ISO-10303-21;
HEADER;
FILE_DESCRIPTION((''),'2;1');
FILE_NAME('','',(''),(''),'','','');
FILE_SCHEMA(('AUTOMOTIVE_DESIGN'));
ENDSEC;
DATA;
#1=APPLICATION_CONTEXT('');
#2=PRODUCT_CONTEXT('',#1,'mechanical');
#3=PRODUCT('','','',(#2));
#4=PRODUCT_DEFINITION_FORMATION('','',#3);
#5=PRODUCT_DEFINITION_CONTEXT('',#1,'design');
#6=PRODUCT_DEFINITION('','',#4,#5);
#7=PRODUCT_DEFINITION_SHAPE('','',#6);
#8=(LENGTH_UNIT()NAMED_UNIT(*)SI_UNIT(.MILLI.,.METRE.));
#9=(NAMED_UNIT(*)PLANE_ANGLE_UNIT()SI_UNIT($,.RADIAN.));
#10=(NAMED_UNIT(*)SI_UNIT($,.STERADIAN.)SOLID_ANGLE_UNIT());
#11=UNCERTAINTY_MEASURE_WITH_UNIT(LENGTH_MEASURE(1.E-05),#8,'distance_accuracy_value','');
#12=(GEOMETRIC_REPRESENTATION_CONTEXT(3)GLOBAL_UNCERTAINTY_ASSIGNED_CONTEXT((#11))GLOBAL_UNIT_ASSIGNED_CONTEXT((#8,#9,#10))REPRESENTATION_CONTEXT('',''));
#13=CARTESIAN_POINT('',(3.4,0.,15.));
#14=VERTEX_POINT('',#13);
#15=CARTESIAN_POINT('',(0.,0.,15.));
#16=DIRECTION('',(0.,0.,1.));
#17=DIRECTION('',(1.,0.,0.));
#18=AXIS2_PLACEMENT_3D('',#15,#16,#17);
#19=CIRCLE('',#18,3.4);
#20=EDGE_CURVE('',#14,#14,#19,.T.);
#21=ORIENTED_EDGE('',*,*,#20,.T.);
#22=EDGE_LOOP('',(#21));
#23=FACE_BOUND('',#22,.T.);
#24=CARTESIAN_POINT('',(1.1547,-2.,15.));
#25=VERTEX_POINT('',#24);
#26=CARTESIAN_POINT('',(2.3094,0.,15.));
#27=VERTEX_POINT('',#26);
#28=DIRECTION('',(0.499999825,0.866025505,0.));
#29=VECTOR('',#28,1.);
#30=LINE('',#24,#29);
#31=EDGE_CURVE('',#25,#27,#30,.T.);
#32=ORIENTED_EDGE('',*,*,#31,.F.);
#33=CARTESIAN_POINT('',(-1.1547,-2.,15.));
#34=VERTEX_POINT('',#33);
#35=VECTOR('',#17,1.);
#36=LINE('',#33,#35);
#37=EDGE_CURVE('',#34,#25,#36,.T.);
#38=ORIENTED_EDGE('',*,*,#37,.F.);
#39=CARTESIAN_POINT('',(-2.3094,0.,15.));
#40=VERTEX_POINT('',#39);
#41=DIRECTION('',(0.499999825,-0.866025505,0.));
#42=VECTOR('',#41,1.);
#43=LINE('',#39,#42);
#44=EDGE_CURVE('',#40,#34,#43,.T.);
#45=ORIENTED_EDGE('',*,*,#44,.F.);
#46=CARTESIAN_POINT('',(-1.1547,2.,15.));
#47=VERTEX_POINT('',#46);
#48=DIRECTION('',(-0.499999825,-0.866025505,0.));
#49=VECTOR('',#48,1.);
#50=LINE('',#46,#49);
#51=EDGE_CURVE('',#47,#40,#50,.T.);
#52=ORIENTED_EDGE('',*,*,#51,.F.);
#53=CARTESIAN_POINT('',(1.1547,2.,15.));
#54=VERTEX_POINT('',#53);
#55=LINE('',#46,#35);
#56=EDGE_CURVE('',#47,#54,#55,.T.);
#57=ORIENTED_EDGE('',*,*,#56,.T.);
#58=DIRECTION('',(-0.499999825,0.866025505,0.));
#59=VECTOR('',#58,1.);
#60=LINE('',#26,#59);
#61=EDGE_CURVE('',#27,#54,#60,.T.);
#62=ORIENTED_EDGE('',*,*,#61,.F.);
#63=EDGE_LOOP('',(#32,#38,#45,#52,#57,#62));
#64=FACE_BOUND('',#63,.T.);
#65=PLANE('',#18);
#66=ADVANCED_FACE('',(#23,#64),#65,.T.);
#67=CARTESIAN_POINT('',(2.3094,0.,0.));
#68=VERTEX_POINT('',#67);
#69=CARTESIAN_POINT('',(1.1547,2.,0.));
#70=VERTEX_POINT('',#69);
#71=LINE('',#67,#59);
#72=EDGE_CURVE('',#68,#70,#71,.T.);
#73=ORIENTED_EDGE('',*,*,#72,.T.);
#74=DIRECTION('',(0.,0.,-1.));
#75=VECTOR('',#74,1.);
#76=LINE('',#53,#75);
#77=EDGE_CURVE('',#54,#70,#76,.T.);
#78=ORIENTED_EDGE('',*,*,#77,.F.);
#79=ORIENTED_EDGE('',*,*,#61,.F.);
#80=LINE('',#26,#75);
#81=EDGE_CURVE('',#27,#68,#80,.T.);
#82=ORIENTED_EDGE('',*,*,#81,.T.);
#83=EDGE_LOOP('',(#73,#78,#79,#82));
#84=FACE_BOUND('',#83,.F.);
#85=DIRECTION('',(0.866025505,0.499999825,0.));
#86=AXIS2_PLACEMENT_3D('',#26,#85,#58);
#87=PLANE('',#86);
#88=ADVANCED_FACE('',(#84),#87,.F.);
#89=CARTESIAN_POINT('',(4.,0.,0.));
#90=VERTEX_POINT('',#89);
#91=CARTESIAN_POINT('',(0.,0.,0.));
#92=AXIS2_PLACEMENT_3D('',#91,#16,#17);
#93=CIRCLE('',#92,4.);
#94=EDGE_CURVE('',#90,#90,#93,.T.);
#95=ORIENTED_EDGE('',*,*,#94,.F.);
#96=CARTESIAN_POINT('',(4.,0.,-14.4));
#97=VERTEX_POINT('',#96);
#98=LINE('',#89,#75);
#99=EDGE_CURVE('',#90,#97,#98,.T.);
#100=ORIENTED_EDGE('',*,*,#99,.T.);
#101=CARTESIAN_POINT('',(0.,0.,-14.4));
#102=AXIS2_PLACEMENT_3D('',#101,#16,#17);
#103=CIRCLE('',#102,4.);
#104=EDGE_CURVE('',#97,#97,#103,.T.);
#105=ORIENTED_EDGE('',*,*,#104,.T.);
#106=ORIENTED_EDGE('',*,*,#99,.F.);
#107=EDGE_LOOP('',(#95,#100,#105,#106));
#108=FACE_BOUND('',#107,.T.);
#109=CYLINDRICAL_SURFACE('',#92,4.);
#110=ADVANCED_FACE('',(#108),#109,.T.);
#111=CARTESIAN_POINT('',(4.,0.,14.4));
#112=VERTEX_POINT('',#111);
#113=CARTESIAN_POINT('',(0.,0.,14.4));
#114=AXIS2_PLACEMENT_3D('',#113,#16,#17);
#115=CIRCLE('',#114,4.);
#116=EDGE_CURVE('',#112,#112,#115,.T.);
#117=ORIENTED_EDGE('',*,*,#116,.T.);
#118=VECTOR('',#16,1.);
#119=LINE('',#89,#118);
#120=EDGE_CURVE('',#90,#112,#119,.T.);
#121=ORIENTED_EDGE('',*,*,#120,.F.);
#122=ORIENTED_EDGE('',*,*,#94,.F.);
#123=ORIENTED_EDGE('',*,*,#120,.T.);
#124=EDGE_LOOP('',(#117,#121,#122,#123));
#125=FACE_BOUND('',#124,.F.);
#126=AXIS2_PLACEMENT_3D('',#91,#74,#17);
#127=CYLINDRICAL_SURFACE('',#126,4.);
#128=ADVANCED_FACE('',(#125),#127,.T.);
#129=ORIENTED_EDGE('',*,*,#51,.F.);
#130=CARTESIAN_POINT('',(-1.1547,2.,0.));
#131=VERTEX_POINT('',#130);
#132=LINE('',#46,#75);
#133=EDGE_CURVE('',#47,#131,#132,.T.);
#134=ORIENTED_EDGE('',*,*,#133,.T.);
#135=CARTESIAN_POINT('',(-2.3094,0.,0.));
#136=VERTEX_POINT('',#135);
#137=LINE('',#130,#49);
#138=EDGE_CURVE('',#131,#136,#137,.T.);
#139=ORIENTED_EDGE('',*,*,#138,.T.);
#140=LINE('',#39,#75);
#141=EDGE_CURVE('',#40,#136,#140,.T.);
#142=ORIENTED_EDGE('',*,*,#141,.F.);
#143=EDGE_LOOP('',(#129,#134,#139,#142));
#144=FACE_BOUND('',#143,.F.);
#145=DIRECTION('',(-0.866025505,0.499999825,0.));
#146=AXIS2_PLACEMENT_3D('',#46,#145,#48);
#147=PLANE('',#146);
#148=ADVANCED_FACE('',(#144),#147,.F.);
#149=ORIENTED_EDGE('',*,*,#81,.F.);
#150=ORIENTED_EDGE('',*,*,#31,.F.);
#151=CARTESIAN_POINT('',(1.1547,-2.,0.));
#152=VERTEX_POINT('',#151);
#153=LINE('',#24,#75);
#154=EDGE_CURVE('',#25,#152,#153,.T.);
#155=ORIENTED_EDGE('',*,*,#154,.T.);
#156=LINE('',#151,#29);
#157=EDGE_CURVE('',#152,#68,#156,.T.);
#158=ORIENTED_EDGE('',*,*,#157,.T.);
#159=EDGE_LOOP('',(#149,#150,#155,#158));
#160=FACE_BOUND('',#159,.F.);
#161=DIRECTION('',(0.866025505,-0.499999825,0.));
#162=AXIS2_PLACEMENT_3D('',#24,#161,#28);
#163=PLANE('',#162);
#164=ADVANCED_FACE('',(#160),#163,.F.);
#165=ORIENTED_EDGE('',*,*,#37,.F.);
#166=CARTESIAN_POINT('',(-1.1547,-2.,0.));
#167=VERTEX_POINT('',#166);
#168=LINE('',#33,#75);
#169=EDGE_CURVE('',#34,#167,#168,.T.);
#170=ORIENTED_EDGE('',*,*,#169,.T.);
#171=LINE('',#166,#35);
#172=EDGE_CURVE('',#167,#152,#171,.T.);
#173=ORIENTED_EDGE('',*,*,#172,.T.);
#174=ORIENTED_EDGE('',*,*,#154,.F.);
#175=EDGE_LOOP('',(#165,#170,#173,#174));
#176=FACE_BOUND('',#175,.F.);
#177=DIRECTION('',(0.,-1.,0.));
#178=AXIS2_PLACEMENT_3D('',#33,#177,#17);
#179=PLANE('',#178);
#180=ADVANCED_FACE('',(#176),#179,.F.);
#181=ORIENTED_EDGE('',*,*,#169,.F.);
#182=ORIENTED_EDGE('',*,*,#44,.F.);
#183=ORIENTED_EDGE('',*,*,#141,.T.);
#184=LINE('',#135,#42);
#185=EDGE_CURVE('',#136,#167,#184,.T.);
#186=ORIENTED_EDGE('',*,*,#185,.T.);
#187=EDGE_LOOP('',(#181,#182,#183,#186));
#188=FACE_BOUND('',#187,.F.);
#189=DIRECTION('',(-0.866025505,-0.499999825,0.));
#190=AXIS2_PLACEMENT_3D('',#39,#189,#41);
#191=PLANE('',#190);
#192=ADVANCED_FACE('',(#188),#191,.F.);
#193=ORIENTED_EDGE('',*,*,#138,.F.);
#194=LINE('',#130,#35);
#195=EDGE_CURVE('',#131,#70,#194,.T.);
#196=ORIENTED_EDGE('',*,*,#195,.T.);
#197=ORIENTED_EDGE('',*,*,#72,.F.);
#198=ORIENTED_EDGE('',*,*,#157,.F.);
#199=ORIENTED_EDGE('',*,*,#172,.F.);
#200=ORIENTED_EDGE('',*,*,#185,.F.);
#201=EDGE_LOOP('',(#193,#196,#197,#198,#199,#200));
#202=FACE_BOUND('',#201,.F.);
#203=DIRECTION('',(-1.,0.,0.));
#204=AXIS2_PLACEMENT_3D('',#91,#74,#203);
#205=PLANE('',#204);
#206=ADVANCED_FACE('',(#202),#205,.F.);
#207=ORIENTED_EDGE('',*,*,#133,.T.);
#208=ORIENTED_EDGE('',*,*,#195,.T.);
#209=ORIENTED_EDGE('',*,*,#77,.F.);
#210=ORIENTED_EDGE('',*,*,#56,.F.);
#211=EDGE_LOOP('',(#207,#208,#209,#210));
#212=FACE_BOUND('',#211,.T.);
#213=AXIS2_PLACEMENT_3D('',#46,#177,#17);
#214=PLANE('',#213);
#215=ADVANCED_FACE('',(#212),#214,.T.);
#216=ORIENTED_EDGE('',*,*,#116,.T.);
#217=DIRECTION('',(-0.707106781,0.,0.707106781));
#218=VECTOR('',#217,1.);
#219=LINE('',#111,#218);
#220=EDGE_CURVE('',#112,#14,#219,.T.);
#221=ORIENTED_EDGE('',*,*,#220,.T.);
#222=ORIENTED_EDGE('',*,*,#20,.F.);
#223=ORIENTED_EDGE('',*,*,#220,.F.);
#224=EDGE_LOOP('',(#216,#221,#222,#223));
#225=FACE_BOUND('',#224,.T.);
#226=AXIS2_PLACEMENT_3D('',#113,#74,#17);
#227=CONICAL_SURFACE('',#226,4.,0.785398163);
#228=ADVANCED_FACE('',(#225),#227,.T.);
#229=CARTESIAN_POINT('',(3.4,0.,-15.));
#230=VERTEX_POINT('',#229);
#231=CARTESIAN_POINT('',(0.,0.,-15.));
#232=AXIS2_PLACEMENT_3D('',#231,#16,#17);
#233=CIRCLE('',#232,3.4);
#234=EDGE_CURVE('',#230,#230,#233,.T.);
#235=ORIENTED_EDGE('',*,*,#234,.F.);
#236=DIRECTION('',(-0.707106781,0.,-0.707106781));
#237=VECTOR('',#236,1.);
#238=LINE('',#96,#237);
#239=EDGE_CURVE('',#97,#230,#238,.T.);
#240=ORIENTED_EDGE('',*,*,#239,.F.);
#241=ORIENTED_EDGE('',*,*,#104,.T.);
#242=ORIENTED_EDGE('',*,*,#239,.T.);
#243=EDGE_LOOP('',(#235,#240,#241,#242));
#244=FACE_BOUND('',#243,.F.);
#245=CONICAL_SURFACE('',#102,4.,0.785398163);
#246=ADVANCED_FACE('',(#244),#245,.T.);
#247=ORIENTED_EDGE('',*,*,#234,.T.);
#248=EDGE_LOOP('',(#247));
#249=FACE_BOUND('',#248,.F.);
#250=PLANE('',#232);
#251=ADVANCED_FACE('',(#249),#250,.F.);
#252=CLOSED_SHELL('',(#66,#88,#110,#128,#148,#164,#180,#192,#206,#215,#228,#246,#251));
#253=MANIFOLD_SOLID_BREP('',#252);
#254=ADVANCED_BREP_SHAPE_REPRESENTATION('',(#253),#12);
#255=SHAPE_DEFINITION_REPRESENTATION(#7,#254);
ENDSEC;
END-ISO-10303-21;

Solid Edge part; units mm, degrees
sketch "Sketch1" plane through (0, 0, 0) normal (0, 0, 1) x (1, 0, 0)
  circle A0 centre (0, 0) radius 4
  dimension "D1" = 8
extrude "Protrusion1" add sketch "Sketch1" along normal mid plane 30
chamfer "Chamfer1" distance 0.6 angle 45 2 edges at (-4, 0, -15) (-4, 0, 15)
sketch "Sketch2" plane through (0, 0, 15) normal (0, 0, 1) x (1, 0, 0)
  line L0 (-1.1547, 2) -> (1.1547, 2)
  line L1 (2.3094, 0) -> (1.1547, 2)
  line L2 (1.1547, -2) -> (2.3094, 0)
  line L3 (-1.1547, -2) -> (1.1547, -2)
  line L4 (-2.3094, 0) -> (-1.1547, -2)
  line L5 (-1.1547, 2) -> (-2.3094, 0)
  dimension "D1" = 4
extrude "Cutout1" cut sketch "Sketch2" against normal blind 15
properties part number "24104353"
